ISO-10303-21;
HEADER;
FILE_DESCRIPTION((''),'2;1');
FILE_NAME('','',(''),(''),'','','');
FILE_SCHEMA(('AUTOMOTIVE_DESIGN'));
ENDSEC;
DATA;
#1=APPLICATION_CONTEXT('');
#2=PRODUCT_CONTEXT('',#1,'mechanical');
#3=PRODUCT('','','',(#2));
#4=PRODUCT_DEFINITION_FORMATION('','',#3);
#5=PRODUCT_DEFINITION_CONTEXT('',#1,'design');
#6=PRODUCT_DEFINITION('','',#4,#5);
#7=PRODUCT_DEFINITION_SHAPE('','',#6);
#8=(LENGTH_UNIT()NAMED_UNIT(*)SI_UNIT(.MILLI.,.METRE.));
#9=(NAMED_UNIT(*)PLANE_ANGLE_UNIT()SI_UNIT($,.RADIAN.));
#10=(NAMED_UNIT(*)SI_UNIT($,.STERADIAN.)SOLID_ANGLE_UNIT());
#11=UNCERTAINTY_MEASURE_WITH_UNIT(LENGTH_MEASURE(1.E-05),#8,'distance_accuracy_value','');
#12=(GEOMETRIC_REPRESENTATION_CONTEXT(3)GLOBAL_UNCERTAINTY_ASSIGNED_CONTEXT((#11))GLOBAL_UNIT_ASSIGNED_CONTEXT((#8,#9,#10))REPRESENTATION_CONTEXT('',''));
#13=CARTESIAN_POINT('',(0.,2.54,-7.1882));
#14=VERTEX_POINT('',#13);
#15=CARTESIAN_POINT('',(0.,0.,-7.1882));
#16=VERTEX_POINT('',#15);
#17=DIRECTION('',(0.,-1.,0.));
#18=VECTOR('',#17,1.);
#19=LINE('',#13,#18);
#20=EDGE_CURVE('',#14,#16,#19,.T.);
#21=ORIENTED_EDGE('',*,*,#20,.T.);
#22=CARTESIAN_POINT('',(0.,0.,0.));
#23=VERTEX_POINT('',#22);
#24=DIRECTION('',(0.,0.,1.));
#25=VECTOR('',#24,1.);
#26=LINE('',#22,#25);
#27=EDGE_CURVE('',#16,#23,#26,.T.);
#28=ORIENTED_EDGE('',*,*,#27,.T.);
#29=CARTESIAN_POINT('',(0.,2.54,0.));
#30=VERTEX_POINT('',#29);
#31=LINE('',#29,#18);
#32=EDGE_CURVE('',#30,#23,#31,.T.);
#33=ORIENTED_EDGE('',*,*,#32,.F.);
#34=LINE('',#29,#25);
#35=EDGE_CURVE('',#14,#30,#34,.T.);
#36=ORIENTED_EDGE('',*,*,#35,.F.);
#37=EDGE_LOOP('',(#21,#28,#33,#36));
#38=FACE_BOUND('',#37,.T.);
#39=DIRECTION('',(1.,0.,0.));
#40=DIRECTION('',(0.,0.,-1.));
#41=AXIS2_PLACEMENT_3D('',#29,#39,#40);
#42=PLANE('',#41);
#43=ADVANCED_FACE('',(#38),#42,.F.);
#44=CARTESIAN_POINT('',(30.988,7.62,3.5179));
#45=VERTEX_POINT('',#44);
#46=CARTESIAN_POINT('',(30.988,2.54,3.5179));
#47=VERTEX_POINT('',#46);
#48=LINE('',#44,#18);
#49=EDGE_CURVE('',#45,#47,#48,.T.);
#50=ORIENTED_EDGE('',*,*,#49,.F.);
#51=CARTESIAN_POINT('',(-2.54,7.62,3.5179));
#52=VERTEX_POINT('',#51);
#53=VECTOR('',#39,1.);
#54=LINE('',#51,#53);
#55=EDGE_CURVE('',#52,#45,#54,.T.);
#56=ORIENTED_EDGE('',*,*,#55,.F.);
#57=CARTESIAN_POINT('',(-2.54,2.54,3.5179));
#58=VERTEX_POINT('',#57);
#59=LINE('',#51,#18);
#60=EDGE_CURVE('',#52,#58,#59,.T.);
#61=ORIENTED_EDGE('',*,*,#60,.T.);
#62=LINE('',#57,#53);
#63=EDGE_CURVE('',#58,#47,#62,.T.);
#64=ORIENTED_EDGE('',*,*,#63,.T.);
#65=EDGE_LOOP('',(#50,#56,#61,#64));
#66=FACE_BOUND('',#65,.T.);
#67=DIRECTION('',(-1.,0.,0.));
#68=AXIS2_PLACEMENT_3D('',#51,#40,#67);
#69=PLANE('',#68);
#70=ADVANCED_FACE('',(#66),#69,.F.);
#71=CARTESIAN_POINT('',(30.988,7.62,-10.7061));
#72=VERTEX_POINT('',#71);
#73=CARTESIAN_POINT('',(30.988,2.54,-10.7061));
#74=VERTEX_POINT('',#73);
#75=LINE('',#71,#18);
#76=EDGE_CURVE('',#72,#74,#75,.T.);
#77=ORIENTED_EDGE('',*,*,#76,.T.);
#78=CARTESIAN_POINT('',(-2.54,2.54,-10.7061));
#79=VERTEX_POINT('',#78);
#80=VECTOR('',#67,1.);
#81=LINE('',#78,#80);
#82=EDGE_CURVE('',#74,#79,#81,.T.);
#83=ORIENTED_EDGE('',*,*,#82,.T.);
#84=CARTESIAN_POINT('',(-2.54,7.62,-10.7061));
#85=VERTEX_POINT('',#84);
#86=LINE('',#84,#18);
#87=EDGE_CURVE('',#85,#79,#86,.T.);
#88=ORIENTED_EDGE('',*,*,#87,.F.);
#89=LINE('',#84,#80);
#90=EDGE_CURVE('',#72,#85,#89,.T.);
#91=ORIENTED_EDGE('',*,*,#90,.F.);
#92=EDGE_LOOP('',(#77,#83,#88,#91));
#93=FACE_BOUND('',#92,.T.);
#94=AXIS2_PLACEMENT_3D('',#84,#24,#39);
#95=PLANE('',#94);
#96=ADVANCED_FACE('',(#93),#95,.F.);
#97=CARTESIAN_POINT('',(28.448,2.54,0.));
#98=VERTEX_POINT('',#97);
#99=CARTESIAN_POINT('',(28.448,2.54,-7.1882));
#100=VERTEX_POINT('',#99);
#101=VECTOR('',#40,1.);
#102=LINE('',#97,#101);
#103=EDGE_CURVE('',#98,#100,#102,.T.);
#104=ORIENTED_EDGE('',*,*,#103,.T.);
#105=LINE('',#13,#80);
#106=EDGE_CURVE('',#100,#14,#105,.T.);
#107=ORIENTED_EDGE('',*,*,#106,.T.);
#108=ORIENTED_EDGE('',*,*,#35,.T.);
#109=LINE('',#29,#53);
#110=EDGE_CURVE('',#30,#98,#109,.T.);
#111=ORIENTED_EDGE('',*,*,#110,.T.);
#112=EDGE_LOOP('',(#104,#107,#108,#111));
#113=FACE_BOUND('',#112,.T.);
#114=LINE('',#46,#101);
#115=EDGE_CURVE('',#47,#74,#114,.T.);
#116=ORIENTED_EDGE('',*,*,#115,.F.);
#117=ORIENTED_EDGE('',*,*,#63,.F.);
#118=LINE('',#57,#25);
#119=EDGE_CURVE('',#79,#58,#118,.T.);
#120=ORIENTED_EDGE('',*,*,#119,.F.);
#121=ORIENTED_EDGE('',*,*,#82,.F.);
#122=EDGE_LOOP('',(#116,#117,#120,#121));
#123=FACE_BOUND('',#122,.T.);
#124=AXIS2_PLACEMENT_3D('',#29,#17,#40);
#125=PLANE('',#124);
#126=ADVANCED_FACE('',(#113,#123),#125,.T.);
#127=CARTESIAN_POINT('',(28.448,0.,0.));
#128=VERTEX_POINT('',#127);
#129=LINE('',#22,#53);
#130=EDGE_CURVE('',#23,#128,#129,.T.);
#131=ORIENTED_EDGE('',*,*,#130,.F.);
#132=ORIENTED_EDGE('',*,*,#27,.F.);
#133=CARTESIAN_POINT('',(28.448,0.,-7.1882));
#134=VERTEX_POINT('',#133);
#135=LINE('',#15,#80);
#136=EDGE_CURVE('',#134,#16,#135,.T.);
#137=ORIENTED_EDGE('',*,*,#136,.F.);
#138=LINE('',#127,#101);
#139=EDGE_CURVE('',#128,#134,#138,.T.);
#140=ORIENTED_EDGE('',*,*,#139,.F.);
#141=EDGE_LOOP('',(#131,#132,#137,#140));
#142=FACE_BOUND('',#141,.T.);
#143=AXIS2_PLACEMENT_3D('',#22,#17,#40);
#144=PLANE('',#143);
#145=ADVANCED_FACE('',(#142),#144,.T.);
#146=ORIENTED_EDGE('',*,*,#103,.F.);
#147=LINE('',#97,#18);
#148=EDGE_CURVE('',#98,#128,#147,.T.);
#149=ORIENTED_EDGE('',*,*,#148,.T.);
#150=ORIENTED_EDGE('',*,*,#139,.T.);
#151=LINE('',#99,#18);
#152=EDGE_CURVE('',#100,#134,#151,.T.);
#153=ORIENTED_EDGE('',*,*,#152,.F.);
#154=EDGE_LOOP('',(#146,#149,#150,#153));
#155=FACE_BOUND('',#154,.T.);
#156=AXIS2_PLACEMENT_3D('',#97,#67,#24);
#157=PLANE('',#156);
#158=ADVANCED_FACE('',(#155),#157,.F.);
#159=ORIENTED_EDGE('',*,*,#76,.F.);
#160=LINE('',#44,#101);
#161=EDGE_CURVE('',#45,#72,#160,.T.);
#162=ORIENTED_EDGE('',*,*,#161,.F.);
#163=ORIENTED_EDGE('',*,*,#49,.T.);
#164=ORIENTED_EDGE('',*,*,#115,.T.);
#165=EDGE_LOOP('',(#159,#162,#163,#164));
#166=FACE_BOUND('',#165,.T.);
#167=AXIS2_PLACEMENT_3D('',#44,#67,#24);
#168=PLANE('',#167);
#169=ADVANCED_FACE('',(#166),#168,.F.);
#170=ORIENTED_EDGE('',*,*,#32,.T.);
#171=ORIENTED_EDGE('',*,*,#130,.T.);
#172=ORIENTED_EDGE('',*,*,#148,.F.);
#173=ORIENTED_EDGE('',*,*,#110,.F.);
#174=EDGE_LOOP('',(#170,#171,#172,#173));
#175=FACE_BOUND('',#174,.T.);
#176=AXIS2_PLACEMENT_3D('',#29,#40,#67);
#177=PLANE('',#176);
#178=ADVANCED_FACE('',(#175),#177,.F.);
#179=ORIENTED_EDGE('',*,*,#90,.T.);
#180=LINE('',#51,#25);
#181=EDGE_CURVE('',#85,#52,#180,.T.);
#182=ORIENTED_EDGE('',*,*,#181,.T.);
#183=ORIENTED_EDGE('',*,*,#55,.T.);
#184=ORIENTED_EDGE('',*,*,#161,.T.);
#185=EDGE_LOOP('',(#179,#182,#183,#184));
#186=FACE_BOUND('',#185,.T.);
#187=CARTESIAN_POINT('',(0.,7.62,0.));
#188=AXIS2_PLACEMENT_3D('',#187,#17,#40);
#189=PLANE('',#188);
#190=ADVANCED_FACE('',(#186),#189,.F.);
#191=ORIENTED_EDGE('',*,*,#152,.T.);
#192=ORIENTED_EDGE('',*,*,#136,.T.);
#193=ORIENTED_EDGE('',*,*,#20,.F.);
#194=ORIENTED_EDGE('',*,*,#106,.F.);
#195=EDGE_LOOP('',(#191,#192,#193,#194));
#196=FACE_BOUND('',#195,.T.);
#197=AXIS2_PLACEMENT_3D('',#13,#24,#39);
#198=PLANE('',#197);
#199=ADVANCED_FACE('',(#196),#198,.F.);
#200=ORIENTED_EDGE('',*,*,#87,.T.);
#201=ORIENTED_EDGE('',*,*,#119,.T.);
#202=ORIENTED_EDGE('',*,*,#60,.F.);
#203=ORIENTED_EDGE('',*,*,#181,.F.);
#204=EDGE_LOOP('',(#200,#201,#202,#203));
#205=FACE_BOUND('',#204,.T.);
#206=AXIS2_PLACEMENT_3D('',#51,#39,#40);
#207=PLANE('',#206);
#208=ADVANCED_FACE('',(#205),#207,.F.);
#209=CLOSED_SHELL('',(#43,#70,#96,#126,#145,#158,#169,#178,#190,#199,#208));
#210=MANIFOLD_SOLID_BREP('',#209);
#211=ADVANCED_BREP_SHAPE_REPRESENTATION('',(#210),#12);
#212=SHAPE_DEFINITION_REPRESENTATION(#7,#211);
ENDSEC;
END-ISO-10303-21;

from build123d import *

# Parameters (mm, degrees)
SKETCH1_W           = 28.448
SKETCH1_H           = 7.1882
BOSS_EXTRUDE1_DEPTH = 2.54
SKETCH2_W           = 33.528
SKETCH2_H           = 14.224
BOSS_EXTRUDE2_DEPTH = 5.08


with BuildPart() as part:
    # Sketch1 → Boss-Extrude1 (new body)
    with BuildSketch(Plane(origin=(0, 0, 0), x_dir=(1, 0, 0), z_dir=(0, 1, 0))):
        with Locations((14.224, 3.5941)):
            Rectangle(SKETCH1_W, SKETCH1_H)
    extrude(amount=BOSS_EXTRUDE1_DEPTH)

    # Sketch2 → Boss-Extrude2 (add)
    with BuildSketch(Plane(origin=(0, 2.54, 0), x_dir=(1, 0, 0), z_dir=(0, 1, 0))):
        with Locations((14.224, 3.5941)):
            Rectangle(SKETCH2_W, SKETCH2_H)
    extrude(amount=BOSS_EXTRUDE2_DEPTH)


solid = part.part
